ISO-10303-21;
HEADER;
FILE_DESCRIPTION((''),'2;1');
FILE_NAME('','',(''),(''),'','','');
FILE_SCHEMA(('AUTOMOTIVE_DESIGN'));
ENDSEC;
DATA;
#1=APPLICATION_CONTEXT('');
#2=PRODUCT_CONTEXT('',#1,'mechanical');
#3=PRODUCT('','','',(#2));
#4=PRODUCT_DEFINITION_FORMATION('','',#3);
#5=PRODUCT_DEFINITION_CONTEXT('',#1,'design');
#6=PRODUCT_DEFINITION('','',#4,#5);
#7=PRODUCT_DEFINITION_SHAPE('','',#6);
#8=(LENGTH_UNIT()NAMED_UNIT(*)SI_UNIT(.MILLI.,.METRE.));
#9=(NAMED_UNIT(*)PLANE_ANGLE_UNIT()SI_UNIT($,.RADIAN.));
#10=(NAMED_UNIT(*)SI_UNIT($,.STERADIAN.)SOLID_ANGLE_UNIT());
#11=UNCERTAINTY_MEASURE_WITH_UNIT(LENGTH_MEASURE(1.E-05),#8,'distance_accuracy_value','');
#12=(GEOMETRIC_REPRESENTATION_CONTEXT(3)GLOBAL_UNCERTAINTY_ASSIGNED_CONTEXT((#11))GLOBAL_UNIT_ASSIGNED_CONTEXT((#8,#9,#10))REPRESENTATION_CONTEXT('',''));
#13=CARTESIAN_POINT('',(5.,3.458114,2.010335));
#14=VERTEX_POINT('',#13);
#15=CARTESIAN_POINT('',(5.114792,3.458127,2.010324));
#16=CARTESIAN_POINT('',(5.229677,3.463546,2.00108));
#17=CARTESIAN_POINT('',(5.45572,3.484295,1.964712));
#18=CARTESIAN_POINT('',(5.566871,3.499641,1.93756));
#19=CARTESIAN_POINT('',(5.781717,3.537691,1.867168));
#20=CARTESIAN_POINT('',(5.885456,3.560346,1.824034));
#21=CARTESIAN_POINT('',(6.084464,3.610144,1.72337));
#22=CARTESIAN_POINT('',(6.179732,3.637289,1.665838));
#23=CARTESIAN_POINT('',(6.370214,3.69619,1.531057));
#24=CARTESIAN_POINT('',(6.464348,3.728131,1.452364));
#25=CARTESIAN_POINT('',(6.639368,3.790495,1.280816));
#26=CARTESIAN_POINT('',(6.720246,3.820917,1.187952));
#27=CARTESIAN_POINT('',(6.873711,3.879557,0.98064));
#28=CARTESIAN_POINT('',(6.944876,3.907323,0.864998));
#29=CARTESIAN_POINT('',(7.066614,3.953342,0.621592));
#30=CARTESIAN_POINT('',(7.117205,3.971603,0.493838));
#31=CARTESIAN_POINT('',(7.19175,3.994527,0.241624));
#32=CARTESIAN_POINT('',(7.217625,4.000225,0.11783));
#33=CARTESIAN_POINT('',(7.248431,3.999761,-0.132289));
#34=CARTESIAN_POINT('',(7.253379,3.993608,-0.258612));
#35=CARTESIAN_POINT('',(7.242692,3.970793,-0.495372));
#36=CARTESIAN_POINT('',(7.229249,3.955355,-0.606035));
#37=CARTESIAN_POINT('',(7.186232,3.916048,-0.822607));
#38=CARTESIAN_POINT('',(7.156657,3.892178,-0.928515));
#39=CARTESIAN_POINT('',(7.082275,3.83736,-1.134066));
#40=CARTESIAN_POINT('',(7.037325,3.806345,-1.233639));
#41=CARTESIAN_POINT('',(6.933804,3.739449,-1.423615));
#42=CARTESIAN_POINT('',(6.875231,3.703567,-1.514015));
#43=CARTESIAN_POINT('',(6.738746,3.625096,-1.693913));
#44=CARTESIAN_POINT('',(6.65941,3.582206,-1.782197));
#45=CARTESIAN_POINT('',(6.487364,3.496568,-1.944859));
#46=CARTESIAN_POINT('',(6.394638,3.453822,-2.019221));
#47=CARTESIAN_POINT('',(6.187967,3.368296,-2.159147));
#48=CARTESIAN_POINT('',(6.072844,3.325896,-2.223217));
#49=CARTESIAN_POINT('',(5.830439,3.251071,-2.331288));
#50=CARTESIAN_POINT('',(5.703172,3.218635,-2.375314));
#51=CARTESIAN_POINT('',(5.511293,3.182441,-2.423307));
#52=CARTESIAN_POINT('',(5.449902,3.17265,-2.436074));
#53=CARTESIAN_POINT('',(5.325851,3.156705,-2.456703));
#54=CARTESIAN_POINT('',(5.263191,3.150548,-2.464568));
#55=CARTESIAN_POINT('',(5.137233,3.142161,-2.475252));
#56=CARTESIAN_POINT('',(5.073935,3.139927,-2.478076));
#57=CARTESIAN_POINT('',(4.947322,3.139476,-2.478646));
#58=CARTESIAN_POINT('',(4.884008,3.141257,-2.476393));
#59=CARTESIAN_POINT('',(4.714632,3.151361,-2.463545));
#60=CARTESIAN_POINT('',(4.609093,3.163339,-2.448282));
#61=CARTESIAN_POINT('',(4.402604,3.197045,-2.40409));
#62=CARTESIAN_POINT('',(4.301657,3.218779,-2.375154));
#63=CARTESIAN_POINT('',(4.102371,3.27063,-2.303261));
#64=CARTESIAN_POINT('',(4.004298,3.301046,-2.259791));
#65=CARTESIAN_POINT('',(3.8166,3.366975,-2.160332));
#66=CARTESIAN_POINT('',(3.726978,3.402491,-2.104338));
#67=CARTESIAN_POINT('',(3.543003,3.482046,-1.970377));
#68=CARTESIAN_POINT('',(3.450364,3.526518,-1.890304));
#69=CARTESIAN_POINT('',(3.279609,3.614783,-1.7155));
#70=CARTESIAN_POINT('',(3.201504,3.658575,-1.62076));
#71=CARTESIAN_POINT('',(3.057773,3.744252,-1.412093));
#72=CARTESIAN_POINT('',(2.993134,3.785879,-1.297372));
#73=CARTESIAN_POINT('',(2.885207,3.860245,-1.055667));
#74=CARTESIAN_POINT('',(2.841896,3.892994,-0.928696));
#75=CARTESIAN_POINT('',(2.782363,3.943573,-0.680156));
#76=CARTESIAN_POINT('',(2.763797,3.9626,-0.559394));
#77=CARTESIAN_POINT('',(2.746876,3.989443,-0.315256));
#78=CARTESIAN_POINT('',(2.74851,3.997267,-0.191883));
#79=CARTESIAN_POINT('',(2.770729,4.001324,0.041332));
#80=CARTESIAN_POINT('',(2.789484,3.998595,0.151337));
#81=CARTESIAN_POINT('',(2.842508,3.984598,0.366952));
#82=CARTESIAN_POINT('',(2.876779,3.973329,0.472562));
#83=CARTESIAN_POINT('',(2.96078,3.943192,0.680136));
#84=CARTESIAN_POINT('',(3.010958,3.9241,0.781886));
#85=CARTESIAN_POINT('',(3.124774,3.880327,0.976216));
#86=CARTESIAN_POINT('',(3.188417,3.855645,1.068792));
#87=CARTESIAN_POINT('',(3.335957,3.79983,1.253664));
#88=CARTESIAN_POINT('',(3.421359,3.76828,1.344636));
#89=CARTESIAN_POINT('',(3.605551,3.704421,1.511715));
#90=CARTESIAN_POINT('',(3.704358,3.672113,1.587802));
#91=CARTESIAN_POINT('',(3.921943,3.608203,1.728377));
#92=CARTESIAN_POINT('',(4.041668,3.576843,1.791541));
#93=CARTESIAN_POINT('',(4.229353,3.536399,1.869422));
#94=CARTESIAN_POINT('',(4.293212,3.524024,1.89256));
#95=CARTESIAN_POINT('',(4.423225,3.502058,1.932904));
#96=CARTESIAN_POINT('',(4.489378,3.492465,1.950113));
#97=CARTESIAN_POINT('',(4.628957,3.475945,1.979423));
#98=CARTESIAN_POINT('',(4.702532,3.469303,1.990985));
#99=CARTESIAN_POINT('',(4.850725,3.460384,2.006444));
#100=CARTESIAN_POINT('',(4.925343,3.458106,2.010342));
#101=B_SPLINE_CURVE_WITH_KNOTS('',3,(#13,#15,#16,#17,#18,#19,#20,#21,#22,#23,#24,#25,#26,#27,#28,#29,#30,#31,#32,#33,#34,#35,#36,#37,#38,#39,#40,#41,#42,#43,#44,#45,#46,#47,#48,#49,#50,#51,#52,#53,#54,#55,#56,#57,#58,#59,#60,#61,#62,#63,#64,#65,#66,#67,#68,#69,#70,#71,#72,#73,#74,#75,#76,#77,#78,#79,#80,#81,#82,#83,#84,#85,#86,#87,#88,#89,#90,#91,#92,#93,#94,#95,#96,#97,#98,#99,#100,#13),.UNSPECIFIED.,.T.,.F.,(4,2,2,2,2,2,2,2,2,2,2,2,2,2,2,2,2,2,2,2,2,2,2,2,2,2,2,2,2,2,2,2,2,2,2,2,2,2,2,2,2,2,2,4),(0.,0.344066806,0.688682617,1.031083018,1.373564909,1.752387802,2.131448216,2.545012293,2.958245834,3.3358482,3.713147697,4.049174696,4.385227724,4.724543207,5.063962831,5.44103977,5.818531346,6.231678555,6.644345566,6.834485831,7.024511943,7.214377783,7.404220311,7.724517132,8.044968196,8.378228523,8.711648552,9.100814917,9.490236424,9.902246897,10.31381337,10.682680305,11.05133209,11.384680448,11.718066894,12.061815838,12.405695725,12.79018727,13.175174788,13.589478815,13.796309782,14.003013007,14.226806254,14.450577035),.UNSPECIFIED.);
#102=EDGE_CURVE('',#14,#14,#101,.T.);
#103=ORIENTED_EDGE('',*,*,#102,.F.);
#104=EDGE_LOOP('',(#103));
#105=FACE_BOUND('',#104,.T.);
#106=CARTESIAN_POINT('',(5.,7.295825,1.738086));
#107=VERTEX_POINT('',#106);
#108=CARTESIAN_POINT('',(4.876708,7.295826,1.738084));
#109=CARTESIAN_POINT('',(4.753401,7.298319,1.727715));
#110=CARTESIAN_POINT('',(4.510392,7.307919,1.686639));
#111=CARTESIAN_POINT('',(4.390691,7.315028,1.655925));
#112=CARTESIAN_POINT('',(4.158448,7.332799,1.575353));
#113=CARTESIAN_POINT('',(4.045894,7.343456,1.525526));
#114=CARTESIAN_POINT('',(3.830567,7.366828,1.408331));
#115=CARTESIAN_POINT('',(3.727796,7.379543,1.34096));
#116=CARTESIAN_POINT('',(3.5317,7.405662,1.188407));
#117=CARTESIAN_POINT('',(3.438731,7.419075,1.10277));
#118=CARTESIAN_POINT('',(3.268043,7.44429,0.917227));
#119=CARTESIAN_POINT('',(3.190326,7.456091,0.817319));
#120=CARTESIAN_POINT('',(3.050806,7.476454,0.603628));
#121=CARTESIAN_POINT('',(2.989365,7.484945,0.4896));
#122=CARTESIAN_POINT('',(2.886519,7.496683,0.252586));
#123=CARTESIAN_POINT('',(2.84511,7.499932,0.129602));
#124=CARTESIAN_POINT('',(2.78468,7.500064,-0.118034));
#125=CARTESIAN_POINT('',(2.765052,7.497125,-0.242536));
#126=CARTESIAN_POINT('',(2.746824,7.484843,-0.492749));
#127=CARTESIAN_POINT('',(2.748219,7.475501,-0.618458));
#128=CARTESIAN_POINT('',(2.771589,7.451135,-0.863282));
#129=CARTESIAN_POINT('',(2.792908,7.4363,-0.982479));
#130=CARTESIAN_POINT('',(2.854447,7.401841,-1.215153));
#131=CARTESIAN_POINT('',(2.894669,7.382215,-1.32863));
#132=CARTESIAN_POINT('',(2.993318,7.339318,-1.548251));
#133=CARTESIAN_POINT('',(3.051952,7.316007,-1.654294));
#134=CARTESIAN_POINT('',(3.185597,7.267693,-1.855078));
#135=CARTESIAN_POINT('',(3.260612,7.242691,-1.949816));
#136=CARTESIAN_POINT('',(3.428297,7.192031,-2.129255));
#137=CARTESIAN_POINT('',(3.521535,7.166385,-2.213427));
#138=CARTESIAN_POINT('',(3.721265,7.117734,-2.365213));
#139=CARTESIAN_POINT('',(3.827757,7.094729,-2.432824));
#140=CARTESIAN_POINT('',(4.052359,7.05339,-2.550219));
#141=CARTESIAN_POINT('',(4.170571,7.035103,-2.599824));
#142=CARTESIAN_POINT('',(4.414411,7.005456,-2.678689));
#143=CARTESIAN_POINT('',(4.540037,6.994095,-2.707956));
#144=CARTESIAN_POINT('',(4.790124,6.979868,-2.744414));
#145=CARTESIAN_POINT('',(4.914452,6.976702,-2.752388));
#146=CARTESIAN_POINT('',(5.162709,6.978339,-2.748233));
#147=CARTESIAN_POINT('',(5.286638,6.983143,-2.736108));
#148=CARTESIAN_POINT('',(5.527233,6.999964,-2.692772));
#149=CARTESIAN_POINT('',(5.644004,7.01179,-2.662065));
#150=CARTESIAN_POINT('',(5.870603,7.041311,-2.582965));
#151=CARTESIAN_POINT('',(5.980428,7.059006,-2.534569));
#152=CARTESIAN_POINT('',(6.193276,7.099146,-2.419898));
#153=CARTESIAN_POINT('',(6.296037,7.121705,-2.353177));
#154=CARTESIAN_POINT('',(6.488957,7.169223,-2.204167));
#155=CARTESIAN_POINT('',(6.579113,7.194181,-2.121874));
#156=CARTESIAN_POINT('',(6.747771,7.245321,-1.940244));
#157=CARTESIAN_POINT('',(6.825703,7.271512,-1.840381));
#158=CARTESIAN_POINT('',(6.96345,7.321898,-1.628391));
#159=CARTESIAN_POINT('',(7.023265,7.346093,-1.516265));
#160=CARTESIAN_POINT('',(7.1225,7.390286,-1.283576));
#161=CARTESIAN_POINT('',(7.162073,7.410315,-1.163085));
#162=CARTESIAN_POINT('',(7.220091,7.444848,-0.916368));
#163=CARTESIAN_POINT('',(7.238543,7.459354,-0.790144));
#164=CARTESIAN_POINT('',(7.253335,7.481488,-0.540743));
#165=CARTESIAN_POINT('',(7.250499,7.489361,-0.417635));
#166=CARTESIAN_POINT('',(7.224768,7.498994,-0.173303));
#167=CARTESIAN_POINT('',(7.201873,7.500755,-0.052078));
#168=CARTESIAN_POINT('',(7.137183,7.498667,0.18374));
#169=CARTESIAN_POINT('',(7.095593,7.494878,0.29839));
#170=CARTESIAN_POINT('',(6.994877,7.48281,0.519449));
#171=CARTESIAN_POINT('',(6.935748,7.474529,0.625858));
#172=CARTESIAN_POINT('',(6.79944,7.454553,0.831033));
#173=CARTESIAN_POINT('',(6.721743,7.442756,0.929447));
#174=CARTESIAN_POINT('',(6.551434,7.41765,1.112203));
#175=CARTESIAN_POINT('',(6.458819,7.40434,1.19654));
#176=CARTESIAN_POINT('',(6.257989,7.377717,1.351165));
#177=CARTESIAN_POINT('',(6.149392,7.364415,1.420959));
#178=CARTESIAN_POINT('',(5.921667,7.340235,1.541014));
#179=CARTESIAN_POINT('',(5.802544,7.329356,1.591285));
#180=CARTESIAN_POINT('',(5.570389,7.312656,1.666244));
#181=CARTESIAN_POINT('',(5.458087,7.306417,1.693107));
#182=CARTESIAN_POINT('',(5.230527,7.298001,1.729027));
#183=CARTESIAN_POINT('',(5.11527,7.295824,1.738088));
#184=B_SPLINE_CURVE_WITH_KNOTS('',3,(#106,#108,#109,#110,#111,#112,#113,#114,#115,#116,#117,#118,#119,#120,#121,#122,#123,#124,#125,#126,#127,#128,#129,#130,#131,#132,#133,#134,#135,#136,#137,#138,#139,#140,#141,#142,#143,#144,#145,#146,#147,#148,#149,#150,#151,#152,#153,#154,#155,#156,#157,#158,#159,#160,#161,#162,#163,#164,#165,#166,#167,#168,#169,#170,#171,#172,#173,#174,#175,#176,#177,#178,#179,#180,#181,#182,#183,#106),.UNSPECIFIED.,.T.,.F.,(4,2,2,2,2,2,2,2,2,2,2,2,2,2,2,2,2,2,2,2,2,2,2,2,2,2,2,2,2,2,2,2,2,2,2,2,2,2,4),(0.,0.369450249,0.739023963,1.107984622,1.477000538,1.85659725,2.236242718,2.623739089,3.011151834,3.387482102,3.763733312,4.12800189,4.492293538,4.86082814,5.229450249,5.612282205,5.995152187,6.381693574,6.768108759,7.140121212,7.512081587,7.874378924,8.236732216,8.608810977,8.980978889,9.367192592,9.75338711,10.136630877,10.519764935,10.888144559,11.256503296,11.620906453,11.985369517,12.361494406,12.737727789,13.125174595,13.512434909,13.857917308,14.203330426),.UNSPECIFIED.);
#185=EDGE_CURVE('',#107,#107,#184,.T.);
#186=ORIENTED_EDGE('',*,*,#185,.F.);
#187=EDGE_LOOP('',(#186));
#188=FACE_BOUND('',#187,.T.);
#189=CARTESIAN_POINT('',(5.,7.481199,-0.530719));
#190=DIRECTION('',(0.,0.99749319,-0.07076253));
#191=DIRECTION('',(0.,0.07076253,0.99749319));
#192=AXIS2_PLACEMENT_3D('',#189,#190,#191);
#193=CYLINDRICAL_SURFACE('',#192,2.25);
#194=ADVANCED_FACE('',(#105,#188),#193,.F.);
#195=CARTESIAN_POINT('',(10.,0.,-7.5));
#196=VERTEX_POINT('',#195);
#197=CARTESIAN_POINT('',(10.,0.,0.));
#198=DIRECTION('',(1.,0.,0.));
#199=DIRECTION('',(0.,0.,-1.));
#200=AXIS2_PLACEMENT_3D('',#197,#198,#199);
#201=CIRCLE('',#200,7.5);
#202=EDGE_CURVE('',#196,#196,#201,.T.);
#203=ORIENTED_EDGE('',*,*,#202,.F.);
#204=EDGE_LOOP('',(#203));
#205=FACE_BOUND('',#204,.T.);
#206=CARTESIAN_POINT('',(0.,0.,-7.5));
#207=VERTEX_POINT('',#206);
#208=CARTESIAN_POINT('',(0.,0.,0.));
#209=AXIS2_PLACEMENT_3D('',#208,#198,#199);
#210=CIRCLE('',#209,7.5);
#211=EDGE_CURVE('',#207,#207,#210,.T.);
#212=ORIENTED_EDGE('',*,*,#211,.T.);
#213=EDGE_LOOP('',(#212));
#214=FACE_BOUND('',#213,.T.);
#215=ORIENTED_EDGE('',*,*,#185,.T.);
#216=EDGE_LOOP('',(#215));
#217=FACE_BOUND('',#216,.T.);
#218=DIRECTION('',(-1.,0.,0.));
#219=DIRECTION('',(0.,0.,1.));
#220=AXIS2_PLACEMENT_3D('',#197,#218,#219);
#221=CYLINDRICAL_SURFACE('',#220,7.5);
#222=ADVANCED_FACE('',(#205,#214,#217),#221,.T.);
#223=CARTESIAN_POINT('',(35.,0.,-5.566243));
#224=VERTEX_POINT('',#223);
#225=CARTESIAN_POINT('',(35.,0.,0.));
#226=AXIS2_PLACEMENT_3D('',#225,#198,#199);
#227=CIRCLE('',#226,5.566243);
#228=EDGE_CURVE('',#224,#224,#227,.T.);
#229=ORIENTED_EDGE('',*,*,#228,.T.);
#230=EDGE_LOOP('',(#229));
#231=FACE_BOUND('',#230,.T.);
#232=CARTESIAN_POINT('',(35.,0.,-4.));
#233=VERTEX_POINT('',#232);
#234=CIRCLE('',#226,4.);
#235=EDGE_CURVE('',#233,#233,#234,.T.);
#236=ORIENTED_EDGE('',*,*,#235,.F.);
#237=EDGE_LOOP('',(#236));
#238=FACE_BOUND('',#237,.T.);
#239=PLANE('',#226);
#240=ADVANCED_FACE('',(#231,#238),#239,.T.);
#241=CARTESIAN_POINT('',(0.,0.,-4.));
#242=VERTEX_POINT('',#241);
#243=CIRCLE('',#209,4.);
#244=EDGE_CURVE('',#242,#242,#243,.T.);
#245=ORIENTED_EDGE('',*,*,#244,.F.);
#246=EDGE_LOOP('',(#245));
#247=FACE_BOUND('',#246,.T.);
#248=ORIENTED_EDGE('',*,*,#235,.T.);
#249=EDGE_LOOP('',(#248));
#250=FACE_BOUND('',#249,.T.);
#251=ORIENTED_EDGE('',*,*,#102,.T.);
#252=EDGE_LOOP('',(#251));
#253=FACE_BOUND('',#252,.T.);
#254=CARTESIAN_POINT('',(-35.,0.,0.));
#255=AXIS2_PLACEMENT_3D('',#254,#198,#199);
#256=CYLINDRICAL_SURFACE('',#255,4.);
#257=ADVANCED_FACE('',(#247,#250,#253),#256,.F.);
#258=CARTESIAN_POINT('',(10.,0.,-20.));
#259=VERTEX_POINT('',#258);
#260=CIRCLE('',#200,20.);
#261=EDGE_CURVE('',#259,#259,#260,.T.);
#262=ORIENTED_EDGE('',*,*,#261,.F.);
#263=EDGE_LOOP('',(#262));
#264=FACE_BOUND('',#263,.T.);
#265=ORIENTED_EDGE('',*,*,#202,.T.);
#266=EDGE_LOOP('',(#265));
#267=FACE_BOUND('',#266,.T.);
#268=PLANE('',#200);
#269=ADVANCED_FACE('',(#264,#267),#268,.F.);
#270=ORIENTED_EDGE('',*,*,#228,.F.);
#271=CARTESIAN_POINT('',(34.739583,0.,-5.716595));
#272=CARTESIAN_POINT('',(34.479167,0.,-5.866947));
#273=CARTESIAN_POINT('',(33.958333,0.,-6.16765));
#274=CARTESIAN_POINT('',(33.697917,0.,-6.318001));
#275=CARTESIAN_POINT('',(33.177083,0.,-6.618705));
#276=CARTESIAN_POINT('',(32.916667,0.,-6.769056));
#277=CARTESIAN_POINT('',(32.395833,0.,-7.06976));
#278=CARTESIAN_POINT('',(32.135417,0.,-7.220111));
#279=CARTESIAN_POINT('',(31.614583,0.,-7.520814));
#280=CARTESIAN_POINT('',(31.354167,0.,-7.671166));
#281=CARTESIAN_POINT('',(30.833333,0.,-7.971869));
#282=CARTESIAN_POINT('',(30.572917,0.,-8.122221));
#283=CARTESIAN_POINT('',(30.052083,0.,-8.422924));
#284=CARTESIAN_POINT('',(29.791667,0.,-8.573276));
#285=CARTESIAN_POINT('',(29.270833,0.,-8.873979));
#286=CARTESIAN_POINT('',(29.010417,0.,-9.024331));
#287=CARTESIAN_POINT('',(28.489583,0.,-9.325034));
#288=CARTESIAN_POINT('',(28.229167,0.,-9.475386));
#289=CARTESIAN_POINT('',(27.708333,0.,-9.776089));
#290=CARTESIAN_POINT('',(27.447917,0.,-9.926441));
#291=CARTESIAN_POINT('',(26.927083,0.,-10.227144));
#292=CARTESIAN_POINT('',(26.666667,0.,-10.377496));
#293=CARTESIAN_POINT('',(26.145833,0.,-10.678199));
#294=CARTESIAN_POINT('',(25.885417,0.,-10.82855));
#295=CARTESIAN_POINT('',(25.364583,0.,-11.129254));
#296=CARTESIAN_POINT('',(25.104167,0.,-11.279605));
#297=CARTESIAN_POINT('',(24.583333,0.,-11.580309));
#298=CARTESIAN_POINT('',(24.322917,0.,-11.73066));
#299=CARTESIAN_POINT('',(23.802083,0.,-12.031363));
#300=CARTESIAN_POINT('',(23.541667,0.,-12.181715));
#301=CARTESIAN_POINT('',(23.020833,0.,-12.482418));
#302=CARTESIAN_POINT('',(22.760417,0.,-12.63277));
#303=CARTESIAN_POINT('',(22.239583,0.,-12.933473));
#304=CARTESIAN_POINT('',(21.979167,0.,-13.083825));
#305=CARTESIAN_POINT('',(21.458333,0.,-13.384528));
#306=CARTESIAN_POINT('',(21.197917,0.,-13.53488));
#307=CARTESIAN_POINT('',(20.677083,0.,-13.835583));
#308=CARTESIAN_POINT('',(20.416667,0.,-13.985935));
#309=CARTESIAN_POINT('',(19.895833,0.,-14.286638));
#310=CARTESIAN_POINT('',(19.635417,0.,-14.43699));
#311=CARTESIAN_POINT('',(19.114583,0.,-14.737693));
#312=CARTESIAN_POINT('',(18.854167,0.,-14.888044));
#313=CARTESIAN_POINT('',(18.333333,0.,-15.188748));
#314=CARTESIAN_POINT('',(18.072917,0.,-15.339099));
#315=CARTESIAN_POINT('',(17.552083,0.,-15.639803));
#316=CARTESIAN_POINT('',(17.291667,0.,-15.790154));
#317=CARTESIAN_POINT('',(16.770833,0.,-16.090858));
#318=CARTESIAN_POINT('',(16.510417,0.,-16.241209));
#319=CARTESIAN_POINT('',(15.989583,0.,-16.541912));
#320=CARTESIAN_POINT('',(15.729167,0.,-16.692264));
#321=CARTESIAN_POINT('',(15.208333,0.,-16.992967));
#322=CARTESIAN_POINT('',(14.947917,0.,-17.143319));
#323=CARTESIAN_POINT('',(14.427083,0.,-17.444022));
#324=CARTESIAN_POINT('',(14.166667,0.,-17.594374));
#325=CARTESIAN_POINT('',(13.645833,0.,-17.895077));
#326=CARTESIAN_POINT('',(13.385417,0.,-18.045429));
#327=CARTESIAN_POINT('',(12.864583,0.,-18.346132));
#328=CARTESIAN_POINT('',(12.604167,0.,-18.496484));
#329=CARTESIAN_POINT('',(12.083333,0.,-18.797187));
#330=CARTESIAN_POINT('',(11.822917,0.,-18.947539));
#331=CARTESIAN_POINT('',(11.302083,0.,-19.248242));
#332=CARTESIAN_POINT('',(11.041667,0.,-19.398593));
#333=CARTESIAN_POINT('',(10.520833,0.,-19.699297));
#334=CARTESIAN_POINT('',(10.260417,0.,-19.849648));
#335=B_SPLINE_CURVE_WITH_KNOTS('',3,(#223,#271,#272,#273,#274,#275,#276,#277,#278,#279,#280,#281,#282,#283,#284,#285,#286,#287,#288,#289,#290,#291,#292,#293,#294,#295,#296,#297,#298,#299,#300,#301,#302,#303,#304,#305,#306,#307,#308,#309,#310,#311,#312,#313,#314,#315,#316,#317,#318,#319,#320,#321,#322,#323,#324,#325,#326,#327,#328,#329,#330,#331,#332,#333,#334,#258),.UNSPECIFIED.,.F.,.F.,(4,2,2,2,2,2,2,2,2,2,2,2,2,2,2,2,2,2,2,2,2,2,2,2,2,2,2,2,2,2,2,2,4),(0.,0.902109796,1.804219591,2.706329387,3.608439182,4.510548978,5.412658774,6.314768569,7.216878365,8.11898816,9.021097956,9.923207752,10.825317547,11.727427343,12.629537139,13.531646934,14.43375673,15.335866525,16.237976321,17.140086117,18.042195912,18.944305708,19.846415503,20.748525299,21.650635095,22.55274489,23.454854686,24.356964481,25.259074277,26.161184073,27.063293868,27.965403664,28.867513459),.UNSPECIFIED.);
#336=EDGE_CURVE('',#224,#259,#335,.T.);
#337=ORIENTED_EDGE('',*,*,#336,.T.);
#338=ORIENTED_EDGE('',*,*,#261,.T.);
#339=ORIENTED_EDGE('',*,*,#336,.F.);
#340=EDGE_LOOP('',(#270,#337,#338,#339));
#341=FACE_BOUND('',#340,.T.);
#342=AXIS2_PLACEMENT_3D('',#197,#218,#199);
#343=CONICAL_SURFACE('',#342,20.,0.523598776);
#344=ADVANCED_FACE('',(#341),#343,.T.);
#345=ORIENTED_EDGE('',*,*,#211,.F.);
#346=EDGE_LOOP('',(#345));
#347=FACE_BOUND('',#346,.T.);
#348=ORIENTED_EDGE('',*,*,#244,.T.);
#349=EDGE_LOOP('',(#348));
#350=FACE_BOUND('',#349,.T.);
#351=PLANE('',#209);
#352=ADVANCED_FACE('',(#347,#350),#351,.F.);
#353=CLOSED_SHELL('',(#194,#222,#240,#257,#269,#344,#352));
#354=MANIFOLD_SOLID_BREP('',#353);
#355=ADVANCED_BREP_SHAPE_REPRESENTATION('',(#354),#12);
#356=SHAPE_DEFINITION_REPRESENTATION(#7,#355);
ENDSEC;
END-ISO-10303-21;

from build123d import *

# Parameters (mm, degrees)
CROQUIS1_R                        = 7.5
SALIENTE_EXTRUIR1_DEPTH           = 10
CROQUIS2_R                        = 20
SALIENTE_EXTRUIR2_DEPTH           = 25
SALIENTE_EXTRUIR2_TAPER           = 30
CROQUIS3_R                        = 4
CORTAR_EXTRUIR2_DEPTH             = 70
TALADRO_DE_MARGEN_PARA_M41_REACH  = 47.571
TALADRO_DE_MARGEN_PARA_M41_BORE_R = 2.25


with BuildPart() as part:
    # Croquis1 → Saliente-Extruir1 (new body)
    with BuildSketch(Plane(origin=(0, 0, 0), x_dir=(0, 0, -1), z_dir=(1, 0, 0))):
        Circle(CROQUIS1_R)
    extrude(amount=SALIENTE_EXTRUIR1_DEPTH)

    # Croquis2 → Saliente-Extruir2 (add)
    with BuildSketch(Plane(origin=(10, 0, 0), x_dir=(0, 0, -1), z_dir=(1, 0, 0))):
        Circle(CROQUIS2_R)
    extrude(amount=SALIENTE_EXTRUIR2_DEPTH, taper=SALIENTE_EXTRUIR2_TAPER)

    # Croquis3 → Cortar-Extruir2 (cut)
    with BuildSketch(Plane(origin=(35, 0, 0), x_dir=(0, 0, -1), z_dir=(1, 0, 0))):
        Circle(CROQUIS3_R)
    extrude(amount=-CORTAR_EXTRUIR2_DEPTH, mode=Mode.SUBTRACT)

    # Taladro de margen para M41 bore (on position points) → Taladro de margen para M41 (cut, up to next)
    with BuildSketch(Plane(origin=(5, 7.481198926, -0.530718977), x_dir=(0, 0.070762530204, 0.997493190112), z_dir=(0, 0.997493190112, -0.070762530204)), mode=Mode.PRIVATE) as taladro_de_margen_para_m41_sk1:
        Circle(TALADRO_DE_MARGEN_PARA_M41_BORE_R)
    taladro_de_margen_para_m41_tool1 = extrude(taladro_de_margen_para_m41_sk1.sketch, amount=-TALADRO_DE_MARGEN_PARA_M41_REACH, mode=Mode.PRIVATE) & part.part
    add(taladro_de_margen_para_m41_tool1.solids().sort_by_distance((5, 7.481199, -0.530719))[0], mode=Mode.SUBTRACT)


solid = part.part
